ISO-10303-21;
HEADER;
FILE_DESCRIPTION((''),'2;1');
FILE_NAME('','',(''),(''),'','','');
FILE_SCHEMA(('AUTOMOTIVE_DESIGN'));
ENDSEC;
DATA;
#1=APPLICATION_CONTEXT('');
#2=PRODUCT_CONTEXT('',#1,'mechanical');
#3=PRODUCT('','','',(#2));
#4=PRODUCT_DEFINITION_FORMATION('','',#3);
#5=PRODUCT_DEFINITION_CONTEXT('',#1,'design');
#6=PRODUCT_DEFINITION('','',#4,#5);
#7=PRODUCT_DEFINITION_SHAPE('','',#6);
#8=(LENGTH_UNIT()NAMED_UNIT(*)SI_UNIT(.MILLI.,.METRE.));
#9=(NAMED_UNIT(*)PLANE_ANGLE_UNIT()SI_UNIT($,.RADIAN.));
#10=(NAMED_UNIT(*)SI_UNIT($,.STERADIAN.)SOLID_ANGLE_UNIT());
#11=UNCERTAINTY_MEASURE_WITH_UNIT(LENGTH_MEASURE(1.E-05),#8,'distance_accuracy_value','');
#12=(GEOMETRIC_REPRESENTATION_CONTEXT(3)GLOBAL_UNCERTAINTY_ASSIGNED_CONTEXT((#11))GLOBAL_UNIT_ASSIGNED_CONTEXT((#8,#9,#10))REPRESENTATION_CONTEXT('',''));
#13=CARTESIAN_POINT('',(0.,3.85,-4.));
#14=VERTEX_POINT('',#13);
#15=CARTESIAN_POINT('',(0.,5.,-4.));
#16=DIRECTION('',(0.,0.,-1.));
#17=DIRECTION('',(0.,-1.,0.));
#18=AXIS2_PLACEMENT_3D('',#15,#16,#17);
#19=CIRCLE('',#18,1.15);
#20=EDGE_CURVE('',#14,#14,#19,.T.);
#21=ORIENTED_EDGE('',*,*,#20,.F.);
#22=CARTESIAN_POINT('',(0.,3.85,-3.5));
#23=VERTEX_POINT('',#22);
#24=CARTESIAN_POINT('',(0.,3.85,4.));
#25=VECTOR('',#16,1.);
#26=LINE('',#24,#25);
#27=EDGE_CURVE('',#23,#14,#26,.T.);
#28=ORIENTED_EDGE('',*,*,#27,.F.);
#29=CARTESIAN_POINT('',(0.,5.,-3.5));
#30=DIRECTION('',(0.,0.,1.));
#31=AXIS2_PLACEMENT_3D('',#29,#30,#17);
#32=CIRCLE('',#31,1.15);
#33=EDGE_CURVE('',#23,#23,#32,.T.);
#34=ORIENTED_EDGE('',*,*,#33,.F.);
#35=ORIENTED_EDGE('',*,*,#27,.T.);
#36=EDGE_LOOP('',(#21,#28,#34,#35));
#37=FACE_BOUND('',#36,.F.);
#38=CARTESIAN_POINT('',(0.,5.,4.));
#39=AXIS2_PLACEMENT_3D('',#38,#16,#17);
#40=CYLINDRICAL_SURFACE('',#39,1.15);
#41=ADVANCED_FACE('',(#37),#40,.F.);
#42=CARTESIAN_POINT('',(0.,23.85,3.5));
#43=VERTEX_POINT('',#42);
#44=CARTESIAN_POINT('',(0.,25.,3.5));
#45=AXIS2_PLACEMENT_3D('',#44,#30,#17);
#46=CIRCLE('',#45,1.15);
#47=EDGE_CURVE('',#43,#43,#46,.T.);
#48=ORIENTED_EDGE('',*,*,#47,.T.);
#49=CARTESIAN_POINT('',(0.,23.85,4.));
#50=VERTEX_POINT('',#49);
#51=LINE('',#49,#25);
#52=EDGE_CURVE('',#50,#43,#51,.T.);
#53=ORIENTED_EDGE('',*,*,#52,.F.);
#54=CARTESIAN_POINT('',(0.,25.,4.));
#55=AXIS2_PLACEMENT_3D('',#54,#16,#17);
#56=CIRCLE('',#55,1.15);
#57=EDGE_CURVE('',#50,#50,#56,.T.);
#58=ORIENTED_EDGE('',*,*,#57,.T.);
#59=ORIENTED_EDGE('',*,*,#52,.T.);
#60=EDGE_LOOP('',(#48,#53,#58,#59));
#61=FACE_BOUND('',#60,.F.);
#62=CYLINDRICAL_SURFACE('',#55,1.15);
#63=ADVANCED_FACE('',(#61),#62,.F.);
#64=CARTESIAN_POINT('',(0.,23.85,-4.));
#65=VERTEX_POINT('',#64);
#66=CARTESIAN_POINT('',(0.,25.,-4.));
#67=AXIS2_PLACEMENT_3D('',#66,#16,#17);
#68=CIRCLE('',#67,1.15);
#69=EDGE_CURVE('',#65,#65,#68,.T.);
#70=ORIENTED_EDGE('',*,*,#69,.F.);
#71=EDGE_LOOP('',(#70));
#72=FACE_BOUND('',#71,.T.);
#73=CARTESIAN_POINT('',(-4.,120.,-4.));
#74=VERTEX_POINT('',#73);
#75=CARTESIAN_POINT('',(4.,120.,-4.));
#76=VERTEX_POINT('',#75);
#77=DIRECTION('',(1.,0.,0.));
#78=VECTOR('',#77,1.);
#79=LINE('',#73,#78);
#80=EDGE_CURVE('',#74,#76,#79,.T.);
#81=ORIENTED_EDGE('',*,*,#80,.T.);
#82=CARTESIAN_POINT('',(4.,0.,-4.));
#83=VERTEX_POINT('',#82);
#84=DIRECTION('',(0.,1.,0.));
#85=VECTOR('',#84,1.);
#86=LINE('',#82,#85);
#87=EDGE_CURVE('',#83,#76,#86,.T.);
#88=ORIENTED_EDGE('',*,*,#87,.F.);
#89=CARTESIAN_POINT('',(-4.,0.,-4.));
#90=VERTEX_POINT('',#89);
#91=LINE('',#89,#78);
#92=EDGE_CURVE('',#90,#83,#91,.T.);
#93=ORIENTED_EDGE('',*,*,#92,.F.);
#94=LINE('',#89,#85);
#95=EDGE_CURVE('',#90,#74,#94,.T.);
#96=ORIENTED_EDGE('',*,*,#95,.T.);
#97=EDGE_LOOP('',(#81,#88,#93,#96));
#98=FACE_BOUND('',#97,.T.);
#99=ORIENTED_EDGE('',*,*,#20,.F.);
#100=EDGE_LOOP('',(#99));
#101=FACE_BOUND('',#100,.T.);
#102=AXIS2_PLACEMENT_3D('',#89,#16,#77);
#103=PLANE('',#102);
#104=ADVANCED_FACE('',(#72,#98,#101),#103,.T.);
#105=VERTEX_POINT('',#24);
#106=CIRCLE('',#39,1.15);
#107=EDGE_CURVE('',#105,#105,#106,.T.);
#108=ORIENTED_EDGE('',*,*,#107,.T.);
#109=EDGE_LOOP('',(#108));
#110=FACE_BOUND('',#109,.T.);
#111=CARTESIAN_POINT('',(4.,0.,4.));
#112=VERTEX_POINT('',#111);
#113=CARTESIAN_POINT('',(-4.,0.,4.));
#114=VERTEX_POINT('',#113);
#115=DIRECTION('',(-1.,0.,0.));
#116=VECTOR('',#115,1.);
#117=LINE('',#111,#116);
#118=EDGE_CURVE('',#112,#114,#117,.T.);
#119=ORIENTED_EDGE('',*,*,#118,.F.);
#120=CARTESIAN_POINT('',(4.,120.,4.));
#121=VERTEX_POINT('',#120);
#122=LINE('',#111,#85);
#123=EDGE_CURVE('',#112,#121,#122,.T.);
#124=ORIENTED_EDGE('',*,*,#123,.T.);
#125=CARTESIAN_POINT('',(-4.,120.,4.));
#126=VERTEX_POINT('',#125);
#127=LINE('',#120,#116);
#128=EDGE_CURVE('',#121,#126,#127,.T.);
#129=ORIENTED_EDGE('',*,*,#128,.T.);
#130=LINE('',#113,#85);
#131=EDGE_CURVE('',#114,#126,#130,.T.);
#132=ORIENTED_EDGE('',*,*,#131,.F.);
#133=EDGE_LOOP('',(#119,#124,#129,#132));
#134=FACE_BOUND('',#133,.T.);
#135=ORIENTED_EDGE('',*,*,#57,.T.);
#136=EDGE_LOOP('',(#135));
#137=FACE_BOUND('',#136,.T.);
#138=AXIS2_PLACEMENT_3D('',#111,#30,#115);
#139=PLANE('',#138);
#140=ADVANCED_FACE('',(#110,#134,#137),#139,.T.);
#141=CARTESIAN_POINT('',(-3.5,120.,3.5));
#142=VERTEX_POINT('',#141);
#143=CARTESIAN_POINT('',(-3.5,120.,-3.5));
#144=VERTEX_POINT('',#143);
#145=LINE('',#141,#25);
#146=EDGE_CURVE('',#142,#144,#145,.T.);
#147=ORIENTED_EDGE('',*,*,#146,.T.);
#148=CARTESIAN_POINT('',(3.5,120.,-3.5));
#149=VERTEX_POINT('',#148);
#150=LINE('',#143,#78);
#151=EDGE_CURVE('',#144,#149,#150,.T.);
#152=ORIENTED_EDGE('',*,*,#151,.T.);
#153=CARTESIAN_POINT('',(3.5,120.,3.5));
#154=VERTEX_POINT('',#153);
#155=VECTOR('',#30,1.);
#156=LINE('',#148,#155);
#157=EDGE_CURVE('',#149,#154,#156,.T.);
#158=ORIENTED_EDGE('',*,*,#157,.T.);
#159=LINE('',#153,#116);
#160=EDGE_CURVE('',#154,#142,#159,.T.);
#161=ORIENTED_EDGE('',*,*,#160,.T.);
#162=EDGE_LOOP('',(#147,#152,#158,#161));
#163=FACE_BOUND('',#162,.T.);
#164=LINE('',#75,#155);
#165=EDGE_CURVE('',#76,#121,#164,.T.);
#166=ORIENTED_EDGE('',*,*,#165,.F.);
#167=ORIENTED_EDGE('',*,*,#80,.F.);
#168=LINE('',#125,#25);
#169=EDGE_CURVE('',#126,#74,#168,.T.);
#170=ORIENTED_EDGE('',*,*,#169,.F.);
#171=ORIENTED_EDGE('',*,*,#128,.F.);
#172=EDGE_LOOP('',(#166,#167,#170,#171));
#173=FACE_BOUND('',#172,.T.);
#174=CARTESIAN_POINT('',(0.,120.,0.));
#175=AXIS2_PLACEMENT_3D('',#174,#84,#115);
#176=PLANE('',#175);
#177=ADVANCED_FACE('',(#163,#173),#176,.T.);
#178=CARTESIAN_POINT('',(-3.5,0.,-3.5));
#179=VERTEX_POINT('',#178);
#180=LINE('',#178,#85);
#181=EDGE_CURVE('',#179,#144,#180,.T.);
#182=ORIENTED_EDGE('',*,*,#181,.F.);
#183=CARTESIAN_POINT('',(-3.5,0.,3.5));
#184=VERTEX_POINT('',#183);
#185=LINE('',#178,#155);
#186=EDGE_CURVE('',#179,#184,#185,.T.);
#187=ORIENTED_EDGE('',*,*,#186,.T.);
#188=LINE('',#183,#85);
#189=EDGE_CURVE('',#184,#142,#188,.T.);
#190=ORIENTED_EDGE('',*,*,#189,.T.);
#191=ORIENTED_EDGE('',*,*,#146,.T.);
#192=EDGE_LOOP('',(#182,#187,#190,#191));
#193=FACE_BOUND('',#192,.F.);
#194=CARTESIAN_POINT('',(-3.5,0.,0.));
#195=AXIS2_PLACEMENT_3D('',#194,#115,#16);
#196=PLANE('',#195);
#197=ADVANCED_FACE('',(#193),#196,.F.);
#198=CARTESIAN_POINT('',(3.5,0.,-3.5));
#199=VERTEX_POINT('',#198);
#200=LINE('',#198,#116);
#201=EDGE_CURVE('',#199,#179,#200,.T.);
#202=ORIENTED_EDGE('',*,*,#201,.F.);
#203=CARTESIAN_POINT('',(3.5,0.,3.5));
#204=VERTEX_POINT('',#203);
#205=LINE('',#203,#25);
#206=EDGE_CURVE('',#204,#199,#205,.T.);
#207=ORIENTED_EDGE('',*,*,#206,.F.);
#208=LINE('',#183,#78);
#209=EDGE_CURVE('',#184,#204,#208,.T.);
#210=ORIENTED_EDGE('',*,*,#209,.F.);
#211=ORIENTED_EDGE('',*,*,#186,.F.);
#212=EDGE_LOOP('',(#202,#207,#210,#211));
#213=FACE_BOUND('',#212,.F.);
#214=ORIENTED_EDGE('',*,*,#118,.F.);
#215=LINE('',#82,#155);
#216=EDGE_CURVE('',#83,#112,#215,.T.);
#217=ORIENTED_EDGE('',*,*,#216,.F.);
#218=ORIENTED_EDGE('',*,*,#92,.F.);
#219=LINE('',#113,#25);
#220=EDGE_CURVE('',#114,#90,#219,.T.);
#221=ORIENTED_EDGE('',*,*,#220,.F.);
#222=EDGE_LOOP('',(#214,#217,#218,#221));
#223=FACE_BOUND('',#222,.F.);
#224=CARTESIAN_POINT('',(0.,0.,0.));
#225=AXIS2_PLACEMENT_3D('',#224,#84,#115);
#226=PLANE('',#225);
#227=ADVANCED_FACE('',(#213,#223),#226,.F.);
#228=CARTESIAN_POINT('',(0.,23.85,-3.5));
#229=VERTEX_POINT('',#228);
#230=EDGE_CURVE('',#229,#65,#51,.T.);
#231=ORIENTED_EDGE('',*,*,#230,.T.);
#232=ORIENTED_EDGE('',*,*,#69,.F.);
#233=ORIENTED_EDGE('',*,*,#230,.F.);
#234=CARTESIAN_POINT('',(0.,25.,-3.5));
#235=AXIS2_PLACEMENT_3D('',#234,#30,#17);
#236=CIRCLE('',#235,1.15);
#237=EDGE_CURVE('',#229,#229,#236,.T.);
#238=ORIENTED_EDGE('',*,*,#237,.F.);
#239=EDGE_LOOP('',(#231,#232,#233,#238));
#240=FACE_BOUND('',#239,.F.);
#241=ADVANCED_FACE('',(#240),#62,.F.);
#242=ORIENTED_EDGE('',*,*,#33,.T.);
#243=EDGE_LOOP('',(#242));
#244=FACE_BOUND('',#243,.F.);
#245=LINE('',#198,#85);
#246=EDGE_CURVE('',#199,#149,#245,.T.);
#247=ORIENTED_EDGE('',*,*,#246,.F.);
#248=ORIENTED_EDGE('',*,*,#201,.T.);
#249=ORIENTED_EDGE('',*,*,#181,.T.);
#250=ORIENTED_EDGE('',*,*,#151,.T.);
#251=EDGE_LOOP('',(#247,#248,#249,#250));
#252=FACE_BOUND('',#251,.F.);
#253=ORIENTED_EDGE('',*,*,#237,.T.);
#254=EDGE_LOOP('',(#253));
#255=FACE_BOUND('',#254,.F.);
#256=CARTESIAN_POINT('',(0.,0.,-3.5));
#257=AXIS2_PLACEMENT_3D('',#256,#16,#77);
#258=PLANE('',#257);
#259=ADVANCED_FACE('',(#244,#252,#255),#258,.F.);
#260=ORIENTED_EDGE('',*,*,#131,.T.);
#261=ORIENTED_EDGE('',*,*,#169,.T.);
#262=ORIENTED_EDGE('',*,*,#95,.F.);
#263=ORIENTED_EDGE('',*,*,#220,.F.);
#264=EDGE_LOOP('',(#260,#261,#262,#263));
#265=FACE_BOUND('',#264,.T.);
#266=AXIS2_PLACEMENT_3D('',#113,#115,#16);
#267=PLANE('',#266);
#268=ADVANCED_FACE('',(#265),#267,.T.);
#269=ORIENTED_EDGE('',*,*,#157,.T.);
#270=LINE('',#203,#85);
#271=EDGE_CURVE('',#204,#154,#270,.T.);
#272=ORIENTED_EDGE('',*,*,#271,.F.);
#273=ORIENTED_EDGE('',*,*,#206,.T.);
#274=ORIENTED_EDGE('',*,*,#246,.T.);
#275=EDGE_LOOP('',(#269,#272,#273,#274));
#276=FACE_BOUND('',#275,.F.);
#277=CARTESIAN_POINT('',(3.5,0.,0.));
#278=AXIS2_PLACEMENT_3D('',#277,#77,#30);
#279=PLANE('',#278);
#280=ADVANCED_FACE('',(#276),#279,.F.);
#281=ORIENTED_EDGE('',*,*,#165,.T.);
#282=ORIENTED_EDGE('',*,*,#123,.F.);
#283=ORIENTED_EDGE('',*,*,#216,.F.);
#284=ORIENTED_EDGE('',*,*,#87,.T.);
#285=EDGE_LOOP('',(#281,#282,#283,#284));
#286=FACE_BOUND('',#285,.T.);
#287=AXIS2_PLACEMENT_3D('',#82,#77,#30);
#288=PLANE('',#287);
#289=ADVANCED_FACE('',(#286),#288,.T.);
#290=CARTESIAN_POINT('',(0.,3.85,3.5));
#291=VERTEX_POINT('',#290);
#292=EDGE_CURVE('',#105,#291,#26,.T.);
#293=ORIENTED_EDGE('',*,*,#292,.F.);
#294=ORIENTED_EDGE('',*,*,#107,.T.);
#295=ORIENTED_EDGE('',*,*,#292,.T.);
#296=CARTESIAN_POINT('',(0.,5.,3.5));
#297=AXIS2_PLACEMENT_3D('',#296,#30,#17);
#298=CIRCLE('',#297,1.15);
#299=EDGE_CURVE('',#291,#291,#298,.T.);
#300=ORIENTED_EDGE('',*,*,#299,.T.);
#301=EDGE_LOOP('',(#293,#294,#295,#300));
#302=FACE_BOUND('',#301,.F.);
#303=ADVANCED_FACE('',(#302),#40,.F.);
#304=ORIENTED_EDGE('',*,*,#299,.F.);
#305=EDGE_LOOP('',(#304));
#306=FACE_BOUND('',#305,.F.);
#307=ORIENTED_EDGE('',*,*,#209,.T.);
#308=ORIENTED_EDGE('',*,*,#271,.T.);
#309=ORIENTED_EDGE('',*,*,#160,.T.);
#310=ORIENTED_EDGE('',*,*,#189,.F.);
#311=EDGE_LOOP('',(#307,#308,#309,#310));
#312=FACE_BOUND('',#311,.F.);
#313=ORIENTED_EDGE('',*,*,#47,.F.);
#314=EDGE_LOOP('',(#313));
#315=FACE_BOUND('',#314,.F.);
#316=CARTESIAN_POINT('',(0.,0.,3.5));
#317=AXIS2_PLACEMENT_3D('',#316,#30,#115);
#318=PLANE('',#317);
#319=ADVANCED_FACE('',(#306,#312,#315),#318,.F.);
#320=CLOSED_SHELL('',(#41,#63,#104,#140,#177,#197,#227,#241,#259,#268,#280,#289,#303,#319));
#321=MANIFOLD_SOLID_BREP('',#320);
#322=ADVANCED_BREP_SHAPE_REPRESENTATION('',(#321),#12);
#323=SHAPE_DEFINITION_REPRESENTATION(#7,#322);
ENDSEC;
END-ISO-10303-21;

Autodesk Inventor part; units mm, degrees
ref_plane "YZ Plane" through (0, 0, 0) normal (1, 0, 0) x (0, 1, 0)
ref_plane "XZ Plane" through (0, 0, 0) normal (0, 1, 0) x (-1, 0, 0)
ref_plane "XY Plane" through (0, 0, 0) normal (0, 0, 1) x (1, 0, 0)
sketch "Sketch1" plane through (0, 0, 0) normal (0, 1, 0) x (-1, 0, 0)
  line L0 (4, -4) -> (-4, -4)
  line L1 (-4, -4) -> (-4, 4)
  line L2 (-4, 4) -> (4, 4)
  line L3 (4, 4) -> (4, -4)
  line L4 (3.5, -3.5) -> (-3.5, -3.5)
  line L5 (-3.5, -3.5) -> (-3.5, 3.5)
  line L6 (-3.5, 3.5) -> (3.5, 3.5)
  line L7 (3.5, 3.5) -> (3.5, -3.5)
  line L8 (3.5, 0) -> (-3.5, 0)
  line L9 (0, -3.5) -> (0, 3.5)
  point P0 (0, 0)
  dimension "d0" = 0.5
  dimension "d1" = 0.5
  dimension "d2" = 0.5
  dimension "d3" = 0.5
  dimension "d4" = 7
  dimension "d5" = 7
extrude "Extrusion1" add sketch "Sketch1" along normal blind 120
sketch "Sketch2" plane through (-4, 0, 4) normal (0, 0, 1) x (1, 0, 0)
  line L0 (4, 0) -> (4, 120)
  line L1 (0, 120) -> (8, 120) projected
  line L2 (0, 0) -> (8, 0) projected
  point P0 (4, 5)
  point P1 (4, 25)
  dimension "d8" = 20
  dimension "d9" = 5
hole "Hole1" at (0, 5, 4) at (0, 25, 4) direction (0, 0, -1) diameter 2.3 end through all
properties part number "Carbon Fiber Arm"
